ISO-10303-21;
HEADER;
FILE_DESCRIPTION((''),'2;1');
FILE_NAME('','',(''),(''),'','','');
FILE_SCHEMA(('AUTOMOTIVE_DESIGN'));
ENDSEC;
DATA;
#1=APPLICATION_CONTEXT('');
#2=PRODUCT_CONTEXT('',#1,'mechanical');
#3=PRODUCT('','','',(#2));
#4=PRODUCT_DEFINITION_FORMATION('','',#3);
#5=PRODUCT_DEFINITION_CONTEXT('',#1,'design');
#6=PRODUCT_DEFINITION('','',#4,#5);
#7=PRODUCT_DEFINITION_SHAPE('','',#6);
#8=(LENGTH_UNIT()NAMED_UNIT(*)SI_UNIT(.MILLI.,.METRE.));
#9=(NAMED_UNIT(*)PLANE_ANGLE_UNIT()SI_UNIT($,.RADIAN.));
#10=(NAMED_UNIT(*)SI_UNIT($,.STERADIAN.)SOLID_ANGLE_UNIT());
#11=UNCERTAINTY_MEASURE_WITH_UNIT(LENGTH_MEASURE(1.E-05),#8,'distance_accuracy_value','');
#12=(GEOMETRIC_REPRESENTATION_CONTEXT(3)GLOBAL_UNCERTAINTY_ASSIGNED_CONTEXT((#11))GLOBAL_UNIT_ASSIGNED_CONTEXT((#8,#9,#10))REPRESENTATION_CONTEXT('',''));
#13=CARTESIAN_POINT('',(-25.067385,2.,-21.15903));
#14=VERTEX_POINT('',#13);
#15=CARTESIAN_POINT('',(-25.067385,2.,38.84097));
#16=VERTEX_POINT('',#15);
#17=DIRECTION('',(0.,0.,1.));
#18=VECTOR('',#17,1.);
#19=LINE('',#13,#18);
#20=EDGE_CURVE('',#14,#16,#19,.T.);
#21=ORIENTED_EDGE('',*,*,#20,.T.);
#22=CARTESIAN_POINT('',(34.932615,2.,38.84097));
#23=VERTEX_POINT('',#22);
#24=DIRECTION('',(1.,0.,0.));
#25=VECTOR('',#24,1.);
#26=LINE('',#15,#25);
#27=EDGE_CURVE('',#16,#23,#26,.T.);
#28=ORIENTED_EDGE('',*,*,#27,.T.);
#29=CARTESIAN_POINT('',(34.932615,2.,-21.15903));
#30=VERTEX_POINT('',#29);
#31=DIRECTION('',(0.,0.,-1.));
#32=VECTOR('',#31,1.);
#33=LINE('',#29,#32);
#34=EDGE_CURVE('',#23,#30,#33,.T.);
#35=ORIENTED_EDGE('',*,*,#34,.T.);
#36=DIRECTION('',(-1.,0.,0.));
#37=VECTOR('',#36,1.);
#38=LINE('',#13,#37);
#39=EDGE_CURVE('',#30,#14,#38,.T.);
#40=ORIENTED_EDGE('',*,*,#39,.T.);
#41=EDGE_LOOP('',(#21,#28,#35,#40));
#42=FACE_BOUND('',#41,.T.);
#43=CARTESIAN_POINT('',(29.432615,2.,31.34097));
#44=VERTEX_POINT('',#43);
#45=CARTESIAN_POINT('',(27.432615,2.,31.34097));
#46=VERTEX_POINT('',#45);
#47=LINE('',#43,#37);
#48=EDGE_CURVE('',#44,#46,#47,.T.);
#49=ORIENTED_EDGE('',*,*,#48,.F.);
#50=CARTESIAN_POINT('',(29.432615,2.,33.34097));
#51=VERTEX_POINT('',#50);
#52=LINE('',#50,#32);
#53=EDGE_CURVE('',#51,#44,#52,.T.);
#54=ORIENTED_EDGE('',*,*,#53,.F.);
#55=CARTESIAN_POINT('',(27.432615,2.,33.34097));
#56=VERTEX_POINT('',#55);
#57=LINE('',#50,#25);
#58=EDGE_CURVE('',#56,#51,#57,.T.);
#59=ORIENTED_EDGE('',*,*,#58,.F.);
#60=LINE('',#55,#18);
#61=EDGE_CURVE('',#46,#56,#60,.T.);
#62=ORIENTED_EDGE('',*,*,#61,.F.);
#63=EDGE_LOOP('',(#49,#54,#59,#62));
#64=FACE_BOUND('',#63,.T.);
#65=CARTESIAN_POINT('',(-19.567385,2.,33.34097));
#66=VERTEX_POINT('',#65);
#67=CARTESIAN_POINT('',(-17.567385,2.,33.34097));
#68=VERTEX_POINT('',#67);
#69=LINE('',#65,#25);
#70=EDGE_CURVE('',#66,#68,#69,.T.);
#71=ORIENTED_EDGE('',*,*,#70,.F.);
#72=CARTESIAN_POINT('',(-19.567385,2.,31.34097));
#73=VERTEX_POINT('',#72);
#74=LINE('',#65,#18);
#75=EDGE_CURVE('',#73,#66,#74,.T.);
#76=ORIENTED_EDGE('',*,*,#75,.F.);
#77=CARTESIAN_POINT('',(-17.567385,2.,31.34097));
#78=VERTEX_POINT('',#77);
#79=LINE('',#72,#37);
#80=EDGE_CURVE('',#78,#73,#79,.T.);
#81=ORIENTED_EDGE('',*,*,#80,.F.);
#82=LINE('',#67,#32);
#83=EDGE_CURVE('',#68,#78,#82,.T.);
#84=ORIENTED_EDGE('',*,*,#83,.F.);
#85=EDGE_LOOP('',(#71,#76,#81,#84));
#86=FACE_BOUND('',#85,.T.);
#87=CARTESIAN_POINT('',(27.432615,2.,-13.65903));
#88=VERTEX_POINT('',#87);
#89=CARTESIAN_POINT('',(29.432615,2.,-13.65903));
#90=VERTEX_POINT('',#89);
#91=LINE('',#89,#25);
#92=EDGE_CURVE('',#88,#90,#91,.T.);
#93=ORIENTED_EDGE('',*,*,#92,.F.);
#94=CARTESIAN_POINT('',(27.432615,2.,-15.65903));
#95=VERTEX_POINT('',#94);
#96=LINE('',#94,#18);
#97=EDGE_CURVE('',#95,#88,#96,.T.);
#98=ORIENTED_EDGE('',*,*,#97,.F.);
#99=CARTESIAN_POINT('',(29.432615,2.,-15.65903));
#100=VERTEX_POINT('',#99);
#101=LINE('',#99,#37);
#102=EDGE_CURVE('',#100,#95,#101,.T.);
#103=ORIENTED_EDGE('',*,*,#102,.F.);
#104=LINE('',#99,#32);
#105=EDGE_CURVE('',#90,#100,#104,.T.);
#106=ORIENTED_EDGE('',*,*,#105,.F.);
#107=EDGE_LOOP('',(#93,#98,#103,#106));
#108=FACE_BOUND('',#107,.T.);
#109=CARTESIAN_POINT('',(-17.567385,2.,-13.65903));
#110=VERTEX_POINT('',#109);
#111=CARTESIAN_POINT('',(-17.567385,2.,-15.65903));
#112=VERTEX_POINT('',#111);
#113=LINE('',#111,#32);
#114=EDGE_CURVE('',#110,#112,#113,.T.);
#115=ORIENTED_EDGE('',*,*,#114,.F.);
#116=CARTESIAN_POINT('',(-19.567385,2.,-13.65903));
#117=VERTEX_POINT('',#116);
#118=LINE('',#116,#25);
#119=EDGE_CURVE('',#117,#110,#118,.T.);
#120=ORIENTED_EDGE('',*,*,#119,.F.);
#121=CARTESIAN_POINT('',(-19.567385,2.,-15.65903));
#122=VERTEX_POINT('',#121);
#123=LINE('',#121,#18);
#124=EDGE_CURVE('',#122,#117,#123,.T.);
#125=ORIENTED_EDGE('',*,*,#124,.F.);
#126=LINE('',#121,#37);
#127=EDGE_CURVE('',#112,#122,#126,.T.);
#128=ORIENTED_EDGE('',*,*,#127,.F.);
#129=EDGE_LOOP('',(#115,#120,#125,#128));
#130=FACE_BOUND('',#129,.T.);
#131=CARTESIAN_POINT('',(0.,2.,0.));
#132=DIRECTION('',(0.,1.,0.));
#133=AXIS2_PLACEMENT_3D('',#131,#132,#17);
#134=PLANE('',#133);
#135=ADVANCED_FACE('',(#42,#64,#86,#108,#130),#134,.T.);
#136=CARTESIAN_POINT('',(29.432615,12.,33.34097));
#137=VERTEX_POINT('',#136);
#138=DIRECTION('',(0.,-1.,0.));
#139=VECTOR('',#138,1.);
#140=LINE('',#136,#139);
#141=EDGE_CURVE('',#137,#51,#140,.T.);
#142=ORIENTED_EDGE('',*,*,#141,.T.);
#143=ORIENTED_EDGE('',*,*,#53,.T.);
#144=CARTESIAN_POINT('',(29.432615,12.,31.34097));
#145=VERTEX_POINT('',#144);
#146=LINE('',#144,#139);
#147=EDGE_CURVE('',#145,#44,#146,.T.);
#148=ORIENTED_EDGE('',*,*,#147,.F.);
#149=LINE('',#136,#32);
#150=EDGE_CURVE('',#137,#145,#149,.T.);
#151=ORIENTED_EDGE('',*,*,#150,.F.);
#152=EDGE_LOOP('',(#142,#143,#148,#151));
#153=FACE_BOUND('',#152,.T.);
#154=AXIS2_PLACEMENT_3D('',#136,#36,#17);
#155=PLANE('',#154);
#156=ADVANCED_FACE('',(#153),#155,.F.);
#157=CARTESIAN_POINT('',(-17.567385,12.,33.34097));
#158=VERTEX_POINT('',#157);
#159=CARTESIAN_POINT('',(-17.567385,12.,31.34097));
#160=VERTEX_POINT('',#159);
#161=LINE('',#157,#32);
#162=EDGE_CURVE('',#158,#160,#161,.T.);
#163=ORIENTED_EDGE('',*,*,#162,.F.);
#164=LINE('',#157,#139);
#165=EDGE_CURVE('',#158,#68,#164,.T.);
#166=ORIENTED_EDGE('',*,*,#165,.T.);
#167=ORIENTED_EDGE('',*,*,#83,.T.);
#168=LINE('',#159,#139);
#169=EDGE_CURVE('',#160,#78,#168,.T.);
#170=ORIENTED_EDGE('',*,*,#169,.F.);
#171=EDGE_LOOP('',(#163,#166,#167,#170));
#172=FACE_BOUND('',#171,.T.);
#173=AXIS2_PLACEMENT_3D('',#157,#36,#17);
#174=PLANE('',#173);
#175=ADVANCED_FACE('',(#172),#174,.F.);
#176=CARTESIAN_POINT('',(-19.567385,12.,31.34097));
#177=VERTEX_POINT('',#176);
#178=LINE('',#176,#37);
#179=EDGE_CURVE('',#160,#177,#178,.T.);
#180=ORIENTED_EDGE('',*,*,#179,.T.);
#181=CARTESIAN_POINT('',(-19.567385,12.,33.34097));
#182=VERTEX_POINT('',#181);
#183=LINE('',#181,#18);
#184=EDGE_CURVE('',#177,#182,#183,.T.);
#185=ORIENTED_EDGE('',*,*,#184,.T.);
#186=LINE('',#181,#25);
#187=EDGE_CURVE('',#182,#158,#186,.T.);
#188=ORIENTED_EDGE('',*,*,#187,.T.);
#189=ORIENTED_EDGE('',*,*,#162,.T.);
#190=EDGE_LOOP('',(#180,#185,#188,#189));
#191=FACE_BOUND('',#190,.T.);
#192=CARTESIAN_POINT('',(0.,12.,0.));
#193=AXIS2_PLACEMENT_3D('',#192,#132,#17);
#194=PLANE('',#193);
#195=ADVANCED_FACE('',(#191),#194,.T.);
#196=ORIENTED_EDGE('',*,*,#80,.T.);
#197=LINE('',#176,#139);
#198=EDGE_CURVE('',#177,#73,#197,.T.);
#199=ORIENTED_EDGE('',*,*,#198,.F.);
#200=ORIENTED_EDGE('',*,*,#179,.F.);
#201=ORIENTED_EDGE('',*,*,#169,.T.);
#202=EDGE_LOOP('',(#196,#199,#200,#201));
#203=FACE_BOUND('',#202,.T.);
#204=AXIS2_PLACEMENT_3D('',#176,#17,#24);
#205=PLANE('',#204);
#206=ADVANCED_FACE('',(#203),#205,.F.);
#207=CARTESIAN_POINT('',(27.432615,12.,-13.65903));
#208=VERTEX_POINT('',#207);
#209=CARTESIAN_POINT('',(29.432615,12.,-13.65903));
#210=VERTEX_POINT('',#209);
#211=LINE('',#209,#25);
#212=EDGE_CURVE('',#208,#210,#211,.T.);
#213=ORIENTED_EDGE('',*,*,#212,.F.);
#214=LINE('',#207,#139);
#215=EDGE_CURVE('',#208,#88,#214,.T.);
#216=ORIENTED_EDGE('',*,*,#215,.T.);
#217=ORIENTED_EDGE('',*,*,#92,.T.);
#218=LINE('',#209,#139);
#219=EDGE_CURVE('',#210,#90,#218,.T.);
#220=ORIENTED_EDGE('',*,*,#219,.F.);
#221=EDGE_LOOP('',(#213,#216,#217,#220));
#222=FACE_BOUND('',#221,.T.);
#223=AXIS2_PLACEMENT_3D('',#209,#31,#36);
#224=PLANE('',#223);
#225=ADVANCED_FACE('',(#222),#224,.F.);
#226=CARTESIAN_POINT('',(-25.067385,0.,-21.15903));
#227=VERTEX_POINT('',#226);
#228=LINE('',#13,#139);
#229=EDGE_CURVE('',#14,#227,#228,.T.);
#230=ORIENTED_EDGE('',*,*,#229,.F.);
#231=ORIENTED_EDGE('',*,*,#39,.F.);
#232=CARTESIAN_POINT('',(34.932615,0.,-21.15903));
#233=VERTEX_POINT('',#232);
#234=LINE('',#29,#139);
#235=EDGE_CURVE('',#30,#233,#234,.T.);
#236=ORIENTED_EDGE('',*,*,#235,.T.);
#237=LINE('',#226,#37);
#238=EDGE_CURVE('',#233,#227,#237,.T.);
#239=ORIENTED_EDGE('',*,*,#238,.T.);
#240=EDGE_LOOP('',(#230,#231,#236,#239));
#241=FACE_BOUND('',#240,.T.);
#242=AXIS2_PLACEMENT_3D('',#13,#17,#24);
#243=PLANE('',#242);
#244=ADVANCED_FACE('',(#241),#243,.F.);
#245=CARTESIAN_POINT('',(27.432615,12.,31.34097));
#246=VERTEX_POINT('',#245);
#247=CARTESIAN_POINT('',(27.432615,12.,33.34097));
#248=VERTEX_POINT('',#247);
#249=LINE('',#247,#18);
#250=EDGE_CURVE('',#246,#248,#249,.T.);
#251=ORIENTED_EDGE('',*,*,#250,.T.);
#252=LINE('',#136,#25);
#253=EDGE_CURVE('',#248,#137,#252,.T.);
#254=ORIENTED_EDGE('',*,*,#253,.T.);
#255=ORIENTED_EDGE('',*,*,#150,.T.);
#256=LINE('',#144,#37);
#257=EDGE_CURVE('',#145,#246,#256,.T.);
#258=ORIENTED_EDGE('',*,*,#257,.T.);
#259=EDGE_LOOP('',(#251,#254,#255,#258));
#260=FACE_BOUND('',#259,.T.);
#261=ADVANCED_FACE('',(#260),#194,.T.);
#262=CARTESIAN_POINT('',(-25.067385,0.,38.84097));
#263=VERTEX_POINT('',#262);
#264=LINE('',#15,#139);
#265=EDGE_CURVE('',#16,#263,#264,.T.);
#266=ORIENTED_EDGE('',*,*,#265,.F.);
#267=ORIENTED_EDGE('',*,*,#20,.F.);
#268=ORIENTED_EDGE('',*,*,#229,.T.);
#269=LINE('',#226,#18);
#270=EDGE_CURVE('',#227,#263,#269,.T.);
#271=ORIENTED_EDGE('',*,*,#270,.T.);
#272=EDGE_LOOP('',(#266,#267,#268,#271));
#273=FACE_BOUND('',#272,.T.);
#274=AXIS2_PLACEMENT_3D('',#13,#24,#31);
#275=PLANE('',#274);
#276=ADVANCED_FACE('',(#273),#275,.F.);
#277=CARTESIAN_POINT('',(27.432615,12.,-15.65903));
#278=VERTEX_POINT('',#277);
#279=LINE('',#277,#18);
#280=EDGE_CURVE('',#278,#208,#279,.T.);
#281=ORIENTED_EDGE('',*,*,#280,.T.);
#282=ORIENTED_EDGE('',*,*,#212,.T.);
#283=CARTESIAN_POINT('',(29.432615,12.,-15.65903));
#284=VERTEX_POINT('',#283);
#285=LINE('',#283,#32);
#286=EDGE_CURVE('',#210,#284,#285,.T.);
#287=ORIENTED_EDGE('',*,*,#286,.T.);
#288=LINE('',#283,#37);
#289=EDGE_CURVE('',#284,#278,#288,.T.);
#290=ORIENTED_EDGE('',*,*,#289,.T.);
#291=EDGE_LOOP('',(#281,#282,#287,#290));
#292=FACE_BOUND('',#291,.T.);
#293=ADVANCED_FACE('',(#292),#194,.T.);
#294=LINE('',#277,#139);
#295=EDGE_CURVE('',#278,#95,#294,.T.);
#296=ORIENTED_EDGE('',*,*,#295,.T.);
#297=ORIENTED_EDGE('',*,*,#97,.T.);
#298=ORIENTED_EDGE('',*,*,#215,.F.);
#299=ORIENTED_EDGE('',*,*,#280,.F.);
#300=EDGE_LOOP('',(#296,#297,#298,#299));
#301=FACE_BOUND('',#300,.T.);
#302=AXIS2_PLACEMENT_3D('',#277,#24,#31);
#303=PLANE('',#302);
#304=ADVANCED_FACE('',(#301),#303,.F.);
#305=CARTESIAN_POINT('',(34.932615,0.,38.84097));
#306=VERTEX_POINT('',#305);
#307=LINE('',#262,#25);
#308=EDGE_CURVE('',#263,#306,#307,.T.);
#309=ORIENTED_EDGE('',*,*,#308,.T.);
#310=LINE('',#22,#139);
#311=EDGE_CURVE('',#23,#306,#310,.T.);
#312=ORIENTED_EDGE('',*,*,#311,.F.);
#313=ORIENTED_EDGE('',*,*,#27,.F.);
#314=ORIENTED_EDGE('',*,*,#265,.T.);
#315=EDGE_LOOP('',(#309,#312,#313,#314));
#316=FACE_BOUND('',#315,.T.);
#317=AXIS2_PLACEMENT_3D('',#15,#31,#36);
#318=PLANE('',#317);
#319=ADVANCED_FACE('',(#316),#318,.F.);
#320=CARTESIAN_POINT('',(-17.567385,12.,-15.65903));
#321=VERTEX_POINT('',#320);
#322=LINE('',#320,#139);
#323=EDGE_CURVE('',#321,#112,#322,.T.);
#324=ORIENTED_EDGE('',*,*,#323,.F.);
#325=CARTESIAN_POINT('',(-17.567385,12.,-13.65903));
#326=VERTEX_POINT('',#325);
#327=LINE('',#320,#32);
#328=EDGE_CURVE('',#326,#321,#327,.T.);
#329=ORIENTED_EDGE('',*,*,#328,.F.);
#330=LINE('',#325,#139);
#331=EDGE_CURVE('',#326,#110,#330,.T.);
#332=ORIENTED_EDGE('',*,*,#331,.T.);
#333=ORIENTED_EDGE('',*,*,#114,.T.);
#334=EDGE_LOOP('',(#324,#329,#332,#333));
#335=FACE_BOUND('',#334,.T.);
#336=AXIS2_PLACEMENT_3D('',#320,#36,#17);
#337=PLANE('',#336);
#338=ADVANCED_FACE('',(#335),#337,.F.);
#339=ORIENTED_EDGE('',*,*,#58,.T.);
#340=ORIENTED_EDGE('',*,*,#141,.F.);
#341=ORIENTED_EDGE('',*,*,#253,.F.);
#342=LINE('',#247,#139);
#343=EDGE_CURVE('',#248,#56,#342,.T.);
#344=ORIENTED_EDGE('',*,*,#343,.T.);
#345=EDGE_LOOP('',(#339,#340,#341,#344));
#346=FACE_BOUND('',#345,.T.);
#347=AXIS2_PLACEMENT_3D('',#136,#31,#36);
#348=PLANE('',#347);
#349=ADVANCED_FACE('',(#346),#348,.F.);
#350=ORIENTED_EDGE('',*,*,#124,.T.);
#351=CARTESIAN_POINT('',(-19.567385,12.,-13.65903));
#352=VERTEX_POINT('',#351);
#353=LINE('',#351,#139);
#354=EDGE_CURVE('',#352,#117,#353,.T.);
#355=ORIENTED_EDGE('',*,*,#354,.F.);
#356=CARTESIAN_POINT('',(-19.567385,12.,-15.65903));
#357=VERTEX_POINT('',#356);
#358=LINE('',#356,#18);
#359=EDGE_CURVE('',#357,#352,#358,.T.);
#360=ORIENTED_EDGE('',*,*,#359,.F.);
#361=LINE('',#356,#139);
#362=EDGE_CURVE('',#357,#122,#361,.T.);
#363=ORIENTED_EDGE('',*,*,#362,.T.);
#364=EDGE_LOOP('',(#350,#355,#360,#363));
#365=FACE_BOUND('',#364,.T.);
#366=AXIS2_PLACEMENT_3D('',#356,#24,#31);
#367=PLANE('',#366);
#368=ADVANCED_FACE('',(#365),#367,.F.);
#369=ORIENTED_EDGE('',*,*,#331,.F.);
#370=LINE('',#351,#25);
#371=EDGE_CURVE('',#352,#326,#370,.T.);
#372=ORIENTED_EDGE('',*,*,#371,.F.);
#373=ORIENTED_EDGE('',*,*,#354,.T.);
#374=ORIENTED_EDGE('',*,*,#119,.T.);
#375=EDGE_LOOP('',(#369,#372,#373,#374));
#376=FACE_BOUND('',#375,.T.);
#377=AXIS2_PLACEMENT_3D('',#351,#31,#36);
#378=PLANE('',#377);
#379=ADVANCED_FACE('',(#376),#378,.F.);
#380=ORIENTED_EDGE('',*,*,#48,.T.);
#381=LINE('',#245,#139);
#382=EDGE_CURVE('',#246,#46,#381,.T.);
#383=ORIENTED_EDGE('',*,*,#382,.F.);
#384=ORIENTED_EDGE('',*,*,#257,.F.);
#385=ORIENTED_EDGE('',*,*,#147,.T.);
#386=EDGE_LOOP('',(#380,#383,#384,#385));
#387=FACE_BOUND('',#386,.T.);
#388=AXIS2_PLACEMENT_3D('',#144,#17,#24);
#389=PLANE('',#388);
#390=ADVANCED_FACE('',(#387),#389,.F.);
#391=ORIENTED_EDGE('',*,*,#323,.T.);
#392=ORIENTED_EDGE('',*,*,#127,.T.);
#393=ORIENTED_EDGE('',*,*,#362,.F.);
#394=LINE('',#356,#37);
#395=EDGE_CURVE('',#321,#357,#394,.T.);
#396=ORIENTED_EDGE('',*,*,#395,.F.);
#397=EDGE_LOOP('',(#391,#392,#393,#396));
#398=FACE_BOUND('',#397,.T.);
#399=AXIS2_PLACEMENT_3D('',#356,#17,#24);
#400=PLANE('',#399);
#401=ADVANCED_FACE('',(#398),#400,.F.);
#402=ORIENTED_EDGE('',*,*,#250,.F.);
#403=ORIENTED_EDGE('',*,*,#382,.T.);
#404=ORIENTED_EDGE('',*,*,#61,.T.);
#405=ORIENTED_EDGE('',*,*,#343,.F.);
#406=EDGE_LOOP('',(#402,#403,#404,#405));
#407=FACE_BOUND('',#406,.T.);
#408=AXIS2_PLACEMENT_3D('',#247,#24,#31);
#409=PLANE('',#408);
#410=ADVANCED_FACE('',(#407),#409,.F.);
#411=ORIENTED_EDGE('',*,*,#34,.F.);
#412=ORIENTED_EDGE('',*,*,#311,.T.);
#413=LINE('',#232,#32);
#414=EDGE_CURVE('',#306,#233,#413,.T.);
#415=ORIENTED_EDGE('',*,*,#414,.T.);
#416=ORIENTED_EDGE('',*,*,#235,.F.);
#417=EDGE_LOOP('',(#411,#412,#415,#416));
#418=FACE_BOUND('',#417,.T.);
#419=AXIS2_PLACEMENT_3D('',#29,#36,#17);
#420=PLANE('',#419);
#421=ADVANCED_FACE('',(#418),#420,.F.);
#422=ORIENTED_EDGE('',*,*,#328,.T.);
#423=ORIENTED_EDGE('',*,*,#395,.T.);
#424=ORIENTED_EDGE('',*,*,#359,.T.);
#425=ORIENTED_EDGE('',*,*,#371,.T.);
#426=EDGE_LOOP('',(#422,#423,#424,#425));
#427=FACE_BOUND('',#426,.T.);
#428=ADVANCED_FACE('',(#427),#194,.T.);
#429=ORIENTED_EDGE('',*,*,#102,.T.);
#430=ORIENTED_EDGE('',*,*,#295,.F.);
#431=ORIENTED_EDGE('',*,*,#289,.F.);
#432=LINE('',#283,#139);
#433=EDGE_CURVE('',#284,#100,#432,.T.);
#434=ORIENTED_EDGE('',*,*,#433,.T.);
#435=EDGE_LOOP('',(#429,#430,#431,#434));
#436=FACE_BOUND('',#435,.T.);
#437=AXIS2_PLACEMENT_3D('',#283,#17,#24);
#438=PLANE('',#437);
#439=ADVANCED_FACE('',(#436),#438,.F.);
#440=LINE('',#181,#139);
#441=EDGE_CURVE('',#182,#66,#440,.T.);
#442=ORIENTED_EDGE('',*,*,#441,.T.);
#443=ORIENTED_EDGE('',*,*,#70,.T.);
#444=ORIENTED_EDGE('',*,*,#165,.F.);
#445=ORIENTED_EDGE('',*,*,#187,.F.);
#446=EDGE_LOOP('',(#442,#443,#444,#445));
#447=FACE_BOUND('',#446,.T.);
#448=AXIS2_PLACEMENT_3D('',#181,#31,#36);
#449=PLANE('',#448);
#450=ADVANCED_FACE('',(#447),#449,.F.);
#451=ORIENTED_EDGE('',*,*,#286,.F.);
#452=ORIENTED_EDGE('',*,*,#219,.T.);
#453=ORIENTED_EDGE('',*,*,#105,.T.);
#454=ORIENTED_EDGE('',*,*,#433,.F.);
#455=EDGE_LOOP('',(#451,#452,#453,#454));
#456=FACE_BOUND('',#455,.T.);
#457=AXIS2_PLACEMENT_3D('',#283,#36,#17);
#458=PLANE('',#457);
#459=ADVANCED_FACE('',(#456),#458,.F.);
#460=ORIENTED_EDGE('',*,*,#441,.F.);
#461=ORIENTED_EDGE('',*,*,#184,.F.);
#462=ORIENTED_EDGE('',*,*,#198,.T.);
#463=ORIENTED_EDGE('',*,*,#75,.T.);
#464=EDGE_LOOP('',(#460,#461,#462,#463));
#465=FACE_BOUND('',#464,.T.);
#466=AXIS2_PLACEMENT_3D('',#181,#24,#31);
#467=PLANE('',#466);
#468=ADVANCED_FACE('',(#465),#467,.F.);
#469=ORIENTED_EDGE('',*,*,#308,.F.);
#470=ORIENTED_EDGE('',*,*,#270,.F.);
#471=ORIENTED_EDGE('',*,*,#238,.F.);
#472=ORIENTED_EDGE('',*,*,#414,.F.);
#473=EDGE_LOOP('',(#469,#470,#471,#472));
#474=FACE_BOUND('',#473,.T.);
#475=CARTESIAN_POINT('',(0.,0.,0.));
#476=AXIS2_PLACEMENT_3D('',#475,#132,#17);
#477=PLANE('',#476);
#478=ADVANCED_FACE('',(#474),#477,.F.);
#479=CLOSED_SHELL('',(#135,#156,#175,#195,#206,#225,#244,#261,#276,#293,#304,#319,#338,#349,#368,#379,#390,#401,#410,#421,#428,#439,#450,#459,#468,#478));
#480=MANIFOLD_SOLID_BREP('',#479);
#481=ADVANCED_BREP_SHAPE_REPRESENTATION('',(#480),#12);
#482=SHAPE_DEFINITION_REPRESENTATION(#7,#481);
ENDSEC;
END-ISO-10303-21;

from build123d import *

# Parameters (mm, degrees)
SKETCH1_W           = 60
SKETCH1_H           = 60
BOSS_EXTRUDE1_DEPTH = 2
SKETCH2_W           = 2
SKETCH2_H           = 2
BOSS_EXTRUDE2_DEPTH = 10


with BuildPart() as part:
    # Sketch1 → Boss-Extrude1 (new body)
    with BuildSketch(Plane(origin=(0, 0, 0), x_dir=(1, 0, 0), z_dir=(0, 1, 0))):
        with Locations((4.932614555, -8.84097035)):
            Rectangle(SKETCH1_W, SKETCH1_H)
    extrude(amount=BOSS_EXTRUDE1_DEPTH)

    # Sketch2 → Boss-Extrude2 (add)
    with BuildSketch(Plane(origin=(0, 2, 0), x_dir=(1, 0, 0), z_dir=(0, 1, 0))):
        with Locations((-18.567385445, 14.65902965)):
            Rectangle(SKETCH2_W, SKETCH2_H)
        with Locations((28.432614555, 14.65902965)):
            Rectangle(SKETCH2_W, SKETCH2_H)
        with Locations((28.432614555, -32.34097035)):
            Rectangle(SKETCH2_W, SKETCH2_H)
        with Locations((-18.567385445, -32.34097035)):
            Rectangle(SKETCH2_W, SKETCH2_H)
    extrude(amount=BOSS_EXTRUDE2_DEPTH)


solid = part.part
